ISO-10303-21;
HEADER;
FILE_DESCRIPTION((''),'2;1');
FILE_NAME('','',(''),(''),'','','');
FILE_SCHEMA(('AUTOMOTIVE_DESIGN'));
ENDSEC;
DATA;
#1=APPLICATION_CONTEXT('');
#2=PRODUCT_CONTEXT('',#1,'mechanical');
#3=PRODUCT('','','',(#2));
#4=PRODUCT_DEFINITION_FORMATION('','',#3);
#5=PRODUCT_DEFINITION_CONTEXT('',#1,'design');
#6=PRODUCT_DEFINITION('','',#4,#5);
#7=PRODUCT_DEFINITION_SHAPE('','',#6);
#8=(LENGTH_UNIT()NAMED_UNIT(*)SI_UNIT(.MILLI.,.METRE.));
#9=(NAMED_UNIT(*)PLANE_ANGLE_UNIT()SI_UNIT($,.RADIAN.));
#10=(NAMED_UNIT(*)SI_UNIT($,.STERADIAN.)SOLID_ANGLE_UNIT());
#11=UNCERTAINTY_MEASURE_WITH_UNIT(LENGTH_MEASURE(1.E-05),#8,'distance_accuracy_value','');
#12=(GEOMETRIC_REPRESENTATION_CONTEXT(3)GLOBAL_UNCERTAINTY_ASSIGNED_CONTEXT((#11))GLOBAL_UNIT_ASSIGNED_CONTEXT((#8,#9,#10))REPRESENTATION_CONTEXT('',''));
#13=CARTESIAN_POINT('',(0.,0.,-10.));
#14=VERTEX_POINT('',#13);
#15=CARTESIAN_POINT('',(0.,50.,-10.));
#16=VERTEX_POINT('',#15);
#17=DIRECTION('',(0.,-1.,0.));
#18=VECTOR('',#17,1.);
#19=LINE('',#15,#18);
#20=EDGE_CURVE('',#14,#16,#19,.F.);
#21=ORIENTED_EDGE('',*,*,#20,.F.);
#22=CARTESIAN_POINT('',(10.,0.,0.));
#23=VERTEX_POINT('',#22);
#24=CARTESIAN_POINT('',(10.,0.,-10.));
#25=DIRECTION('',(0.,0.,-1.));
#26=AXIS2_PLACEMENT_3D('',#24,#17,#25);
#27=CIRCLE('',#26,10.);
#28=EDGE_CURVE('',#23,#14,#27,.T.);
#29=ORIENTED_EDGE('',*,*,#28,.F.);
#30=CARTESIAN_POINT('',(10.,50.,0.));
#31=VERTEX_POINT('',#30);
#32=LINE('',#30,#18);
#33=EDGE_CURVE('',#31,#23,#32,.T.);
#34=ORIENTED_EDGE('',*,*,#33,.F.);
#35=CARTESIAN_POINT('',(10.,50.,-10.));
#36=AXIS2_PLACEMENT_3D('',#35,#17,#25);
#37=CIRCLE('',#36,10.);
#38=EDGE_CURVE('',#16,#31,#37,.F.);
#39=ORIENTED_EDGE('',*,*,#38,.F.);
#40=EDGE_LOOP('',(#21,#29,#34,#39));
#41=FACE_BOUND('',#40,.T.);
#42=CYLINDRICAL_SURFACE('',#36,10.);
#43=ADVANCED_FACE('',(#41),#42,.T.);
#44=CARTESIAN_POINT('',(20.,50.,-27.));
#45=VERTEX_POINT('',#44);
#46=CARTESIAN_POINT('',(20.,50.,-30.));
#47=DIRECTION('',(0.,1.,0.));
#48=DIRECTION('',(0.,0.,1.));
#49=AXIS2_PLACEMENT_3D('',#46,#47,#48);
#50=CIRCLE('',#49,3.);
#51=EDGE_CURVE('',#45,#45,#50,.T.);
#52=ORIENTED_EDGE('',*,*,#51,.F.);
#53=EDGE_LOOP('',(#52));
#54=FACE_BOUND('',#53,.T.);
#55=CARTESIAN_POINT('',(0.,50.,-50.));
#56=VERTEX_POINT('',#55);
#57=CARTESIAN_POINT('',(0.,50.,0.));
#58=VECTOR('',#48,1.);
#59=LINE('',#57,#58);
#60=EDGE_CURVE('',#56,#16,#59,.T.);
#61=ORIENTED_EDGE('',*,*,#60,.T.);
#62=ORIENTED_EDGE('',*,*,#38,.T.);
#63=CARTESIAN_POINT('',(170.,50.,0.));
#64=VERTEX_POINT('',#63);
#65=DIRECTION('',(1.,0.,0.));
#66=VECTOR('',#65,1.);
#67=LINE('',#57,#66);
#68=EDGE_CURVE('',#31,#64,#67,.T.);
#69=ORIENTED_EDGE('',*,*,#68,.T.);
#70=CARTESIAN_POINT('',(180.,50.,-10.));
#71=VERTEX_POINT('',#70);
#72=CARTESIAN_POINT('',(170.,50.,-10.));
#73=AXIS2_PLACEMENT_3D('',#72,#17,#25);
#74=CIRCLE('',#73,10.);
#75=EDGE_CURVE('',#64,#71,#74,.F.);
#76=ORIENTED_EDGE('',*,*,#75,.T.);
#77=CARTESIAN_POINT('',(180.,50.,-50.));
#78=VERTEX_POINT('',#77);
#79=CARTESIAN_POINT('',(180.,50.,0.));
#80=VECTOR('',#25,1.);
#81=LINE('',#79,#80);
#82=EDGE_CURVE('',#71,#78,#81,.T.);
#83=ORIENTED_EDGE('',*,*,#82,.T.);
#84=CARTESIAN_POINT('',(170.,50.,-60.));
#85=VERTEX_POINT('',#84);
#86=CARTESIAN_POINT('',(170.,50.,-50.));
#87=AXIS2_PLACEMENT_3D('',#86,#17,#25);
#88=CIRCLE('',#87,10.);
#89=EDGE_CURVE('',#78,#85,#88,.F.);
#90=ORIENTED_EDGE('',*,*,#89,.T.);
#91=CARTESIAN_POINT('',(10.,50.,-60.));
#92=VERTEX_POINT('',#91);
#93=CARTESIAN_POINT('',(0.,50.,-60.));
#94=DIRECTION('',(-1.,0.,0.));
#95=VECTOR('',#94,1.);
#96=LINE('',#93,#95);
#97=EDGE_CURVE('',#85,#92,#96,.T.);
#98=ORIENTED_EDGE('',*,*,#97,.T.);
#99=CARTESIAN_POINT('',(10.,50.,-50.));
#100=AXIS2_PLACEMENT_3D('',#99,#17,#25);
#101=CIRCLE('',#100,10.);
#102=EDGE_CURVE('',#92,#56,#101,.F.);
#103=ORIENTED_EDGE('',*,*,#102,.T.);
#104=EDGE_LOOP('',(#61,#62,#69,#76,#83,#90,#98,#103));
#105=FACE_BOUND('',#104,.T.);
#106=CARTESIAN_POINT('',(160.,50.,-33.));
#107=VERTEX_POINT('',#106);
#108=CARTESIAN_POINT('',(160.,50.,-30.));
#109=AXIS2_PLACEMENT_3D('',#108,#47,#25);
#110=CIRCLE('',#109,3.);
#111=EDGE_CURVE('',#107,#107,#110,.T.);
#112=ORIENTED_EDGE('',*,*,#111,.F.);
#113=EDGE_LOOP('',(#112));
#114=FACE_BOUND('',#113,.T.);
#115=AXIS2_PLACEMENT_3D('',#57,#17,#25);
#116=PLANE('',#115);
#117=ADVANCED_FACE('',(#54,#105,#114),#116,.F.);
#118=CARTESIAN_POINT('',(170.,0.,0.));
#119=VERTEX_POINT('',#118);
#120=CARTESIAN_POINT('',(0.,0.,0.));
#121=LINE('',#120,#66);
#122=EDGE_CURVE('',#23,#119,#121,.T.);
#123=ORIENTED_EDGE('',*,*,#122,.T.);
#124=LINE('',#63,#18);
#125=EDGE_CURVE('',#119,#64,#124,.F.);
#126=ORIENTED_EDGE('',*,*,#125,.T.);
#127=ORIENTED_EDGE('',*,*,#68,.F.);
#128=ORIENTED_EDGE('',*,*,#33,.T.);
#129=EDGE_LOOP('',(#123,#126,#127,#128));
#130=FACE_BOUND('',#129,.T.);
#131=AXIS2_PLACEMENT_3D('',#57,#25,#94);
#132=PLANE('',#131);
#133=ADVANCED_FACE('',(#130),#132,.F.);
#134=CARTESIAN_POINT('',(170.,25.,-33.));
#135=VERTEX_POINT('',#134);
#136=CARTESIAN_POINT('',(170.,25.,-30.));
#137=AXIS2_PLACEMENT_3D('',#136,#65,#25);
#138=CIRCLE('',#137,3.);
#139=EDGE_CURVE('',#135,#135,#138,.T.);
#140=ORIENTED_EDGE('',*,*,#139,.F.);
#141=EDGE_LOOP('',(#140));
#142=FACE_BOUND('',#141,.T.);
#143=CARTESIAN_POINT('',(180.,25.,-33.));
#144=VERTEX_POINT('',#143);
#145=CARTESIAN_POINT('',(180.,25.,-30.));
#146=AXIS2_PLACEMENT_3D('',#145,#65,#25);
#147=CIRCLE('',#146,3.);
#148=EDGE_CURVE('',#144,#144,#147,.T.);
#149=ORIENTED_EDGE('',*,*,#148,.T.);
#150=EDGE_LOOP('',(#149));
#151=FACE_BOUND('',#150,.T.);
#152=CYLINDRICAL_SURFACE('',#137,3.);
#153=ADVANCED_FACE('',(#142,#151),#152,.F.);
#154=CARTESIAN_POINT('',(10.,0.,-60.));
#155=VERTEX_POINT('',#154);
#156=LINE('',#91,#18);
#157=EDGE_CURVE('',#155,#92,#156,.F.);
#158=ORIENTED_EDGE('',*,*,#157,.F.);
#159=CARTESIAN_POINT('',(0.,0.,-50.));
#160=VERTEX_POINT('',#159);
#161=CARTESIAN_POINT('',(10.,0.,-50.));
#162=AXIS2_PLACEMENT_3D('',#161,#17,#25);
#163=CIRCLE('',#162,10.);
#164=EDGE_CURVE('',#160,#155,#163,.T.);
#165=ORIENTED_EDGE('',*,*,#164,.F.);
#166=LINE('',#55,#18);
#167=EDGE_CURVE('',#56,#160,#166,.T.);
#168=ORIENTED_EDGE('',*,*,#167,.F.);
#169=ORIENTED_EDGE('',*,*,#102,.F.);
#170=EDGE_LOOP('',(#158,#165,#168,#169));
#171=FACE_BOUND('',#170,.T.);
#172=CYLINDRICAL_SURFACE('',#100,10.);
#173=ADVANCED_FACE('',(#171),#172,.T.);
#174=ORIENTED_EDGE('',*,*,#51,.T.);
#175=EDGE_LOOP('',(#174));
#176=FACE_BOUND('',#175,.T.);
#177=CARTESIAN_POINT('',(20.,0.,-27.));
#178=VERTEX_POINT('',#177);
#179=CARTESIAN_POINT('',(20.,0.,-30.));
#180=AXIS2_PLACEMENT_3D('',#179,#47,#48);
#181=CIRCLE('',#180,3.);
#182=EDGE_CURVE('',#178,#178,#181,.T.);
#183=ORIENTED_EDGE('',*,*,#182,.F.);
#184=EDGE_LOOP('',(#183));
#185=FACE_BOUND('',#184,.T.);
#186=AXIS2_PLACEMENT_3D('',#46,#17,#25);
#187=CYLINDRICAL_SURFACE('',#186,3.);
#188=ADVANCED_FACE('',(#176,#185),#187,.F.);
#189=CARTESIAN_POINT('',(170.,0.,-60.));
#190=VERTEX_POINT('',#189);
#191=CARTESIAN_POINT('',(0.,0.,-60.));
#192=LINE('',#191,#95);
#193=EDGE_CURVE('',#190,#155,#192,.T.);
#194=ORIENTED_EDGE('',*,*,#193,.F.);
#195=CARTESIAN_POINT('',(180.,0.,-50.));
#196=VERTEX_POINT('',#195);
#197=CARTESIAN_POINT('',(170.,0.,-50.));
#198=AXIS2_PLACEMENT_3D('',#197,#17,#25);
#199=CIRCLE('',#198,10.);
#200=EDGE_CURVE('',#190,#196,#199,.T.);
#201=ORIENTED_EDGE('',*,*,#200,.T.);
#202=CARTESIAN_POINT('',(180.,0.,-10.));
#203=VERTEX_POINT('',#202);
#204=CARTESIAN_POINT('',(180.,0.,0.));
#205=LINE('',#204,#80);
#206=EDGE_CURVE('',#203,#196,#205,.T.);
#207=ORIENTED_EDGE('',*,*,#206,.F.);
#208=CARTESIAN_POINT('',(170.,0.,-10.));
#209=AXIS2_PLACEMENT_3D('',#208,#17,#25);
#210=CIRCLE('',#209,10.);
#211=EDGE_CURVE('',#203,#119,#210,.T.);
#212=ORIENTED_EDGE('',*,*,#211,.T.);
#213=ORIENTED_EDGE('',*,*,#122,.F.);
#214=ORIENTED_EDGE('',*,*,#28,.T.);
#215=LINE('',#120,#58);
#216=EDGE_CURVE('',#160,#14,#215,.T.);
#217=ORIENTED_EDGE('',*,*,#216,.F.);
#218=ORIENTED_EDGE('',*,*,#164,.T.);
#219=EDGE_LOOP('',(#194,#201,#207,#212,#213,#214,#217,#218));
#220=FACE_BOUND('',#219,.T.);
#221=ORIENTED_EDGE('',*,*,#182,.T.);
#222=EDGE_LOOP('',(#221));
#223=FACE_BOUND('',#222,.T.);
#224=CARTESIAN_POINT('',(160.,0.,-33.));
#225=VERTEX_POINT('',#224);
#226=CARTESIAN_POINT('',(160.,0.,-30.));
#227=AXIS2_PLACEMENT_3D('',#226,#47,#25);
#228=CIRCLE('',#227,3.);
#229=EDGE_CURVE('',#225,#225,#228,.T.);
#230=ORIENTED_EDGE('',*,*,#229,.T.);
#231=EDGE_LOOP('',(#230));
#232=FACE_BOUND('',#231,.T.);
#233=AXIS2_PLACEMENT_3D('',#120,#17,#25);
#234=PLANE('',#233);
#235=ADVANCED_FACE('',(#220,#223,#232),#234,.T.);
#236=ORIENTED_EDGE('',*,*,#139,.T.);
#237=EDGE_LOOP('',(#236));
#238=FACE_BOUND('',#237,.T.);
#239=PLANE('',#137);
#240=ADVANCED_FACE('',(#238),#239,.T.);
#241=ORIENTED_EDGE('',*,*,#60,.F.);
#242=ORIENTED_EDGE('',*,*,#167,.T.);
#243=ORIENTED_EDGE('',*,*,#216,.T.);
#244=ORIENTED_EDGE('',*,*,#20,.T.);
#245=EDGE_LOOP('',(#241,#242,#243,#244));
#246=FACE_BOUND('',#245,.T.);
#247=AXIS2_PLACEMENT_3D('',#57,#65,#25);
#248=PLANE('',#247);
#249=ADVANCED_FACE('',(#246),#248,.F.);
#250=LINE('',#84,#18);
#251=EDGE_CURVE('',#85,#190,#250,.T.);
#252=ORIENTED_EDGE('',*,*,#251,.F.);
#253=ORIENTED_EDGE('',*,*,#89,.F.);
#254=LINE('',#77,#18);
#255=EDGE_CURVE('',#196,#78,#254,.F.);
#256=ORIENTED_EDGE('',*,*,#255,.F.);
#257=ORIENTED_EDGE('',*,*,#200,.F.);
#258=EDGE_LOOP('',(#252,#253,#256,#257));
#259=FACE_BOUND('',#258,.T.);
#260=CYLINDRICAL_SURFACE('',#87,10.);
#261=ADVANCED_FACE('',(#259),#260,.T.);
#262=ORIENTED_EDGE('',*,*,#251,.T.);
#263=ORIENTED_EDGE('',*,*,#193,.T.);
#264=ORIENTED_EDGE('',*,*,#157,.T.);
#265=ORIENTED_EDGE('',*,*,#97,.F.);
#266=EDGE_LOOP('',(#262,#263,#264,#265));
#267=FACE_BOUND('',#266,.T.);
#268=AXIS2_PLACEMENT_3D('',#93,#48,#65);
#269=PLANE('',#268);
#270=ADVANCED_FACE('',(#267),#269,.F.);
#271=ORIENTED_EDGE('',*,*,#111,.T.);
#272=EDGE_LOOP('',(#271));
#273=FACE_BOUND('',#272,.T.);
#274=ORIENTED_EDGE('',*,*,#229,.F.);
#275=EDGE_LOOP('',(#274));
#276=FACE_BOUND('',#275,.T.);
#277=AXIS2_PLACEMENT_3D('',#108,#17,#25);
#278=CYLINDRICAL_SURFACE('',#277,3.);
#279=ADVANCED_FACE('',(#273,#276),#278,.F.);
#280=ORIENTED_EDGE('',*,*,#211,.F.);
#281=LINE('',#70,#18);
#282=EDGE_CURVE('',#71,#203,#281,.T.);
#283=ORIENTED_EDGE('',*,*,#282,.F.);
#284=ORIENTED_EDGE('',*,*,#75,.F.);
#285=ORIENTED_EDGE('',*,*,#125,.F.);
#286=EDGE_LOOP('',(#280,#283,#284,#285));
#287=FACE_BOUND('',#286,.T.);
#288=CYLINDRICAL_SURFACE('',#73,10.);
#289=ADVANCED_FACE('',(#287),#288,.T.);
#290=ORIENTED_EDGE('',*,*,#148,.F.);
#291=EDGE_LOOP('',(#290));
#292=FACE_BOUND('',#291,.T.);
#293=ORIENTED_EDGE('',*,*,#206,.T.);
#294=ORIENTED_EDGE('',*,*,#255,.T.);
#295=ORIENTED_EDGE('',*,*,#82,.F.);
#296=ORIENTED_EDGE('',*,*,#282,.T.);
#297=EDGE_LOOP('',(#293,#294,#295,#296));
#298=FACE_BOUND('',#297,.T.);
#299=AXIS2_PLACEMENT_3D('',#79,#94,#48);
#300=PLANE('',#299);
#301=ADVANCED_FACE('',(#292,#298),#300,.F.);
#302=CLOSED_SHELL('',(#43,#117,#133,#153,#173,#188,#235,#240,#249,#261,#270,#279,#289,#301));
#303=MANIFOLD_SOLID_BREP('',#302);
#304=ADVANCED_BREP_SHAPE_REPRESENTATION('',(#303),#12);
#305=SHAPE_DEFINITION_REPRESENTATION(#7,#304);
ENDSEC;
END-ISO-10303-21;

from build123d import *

# Parameters (mm, degrees)
SKETCH1_W           = 180
SKETCH1_H           = 60
SKETCH1_R           = 3
BOSS_EXTRUDE1_DEPTH = 50
SKETCH2_R           = 3
CUT_EXTRUDE1_DEPTH  = 10
FILLET1_R           = 10


with BuildPart() as part:
    # Sketch1 → Boss-Extrude1 (new body)
    with BuildSketch(Plane(origin=(0, 0, 0), x_dir=(1, 0, 0), z_dir=(0, 1, 0))):
        with Locations((90, 30)):
            Rectangle(SKETCH1_W, SKETCH1_H)
        with Locations((20, 30)):
            Circle(SKETCH1_R, mode=Mode.SUBTRACT)
        with Locations((160, 30)):
            Circle(SKETCH1_R, mode=Mode.SUBTRACT)
    extrude(amount=BOSS_EXTRUDE1_DEPTH)

    # Sketch2 → Cut-Extrude1 (cut)
    with BuildSketch(Plane(origin=(180, 0, 0), x_dir=(0, 0, -1), z_dir=(1, 0, 0))):
        with Locations((30, 25)):
            Circle(SKETCH2_R)
    extrude(amount=-CUT_EXTRUDE1_DEPTH, mode=Mode.SUBTRACT)

    # Fillet1
    fillet1_edges = [part.edges().sort_by_distance(p)[0] for p in [
        (0, 25, -60),
        (180, 25, -60),
        (180, 25, 0),
        (0, 25, 0),
    ]]
    fillet(fillet1_edges, radius=FILLET1_R)


solid = part.part
